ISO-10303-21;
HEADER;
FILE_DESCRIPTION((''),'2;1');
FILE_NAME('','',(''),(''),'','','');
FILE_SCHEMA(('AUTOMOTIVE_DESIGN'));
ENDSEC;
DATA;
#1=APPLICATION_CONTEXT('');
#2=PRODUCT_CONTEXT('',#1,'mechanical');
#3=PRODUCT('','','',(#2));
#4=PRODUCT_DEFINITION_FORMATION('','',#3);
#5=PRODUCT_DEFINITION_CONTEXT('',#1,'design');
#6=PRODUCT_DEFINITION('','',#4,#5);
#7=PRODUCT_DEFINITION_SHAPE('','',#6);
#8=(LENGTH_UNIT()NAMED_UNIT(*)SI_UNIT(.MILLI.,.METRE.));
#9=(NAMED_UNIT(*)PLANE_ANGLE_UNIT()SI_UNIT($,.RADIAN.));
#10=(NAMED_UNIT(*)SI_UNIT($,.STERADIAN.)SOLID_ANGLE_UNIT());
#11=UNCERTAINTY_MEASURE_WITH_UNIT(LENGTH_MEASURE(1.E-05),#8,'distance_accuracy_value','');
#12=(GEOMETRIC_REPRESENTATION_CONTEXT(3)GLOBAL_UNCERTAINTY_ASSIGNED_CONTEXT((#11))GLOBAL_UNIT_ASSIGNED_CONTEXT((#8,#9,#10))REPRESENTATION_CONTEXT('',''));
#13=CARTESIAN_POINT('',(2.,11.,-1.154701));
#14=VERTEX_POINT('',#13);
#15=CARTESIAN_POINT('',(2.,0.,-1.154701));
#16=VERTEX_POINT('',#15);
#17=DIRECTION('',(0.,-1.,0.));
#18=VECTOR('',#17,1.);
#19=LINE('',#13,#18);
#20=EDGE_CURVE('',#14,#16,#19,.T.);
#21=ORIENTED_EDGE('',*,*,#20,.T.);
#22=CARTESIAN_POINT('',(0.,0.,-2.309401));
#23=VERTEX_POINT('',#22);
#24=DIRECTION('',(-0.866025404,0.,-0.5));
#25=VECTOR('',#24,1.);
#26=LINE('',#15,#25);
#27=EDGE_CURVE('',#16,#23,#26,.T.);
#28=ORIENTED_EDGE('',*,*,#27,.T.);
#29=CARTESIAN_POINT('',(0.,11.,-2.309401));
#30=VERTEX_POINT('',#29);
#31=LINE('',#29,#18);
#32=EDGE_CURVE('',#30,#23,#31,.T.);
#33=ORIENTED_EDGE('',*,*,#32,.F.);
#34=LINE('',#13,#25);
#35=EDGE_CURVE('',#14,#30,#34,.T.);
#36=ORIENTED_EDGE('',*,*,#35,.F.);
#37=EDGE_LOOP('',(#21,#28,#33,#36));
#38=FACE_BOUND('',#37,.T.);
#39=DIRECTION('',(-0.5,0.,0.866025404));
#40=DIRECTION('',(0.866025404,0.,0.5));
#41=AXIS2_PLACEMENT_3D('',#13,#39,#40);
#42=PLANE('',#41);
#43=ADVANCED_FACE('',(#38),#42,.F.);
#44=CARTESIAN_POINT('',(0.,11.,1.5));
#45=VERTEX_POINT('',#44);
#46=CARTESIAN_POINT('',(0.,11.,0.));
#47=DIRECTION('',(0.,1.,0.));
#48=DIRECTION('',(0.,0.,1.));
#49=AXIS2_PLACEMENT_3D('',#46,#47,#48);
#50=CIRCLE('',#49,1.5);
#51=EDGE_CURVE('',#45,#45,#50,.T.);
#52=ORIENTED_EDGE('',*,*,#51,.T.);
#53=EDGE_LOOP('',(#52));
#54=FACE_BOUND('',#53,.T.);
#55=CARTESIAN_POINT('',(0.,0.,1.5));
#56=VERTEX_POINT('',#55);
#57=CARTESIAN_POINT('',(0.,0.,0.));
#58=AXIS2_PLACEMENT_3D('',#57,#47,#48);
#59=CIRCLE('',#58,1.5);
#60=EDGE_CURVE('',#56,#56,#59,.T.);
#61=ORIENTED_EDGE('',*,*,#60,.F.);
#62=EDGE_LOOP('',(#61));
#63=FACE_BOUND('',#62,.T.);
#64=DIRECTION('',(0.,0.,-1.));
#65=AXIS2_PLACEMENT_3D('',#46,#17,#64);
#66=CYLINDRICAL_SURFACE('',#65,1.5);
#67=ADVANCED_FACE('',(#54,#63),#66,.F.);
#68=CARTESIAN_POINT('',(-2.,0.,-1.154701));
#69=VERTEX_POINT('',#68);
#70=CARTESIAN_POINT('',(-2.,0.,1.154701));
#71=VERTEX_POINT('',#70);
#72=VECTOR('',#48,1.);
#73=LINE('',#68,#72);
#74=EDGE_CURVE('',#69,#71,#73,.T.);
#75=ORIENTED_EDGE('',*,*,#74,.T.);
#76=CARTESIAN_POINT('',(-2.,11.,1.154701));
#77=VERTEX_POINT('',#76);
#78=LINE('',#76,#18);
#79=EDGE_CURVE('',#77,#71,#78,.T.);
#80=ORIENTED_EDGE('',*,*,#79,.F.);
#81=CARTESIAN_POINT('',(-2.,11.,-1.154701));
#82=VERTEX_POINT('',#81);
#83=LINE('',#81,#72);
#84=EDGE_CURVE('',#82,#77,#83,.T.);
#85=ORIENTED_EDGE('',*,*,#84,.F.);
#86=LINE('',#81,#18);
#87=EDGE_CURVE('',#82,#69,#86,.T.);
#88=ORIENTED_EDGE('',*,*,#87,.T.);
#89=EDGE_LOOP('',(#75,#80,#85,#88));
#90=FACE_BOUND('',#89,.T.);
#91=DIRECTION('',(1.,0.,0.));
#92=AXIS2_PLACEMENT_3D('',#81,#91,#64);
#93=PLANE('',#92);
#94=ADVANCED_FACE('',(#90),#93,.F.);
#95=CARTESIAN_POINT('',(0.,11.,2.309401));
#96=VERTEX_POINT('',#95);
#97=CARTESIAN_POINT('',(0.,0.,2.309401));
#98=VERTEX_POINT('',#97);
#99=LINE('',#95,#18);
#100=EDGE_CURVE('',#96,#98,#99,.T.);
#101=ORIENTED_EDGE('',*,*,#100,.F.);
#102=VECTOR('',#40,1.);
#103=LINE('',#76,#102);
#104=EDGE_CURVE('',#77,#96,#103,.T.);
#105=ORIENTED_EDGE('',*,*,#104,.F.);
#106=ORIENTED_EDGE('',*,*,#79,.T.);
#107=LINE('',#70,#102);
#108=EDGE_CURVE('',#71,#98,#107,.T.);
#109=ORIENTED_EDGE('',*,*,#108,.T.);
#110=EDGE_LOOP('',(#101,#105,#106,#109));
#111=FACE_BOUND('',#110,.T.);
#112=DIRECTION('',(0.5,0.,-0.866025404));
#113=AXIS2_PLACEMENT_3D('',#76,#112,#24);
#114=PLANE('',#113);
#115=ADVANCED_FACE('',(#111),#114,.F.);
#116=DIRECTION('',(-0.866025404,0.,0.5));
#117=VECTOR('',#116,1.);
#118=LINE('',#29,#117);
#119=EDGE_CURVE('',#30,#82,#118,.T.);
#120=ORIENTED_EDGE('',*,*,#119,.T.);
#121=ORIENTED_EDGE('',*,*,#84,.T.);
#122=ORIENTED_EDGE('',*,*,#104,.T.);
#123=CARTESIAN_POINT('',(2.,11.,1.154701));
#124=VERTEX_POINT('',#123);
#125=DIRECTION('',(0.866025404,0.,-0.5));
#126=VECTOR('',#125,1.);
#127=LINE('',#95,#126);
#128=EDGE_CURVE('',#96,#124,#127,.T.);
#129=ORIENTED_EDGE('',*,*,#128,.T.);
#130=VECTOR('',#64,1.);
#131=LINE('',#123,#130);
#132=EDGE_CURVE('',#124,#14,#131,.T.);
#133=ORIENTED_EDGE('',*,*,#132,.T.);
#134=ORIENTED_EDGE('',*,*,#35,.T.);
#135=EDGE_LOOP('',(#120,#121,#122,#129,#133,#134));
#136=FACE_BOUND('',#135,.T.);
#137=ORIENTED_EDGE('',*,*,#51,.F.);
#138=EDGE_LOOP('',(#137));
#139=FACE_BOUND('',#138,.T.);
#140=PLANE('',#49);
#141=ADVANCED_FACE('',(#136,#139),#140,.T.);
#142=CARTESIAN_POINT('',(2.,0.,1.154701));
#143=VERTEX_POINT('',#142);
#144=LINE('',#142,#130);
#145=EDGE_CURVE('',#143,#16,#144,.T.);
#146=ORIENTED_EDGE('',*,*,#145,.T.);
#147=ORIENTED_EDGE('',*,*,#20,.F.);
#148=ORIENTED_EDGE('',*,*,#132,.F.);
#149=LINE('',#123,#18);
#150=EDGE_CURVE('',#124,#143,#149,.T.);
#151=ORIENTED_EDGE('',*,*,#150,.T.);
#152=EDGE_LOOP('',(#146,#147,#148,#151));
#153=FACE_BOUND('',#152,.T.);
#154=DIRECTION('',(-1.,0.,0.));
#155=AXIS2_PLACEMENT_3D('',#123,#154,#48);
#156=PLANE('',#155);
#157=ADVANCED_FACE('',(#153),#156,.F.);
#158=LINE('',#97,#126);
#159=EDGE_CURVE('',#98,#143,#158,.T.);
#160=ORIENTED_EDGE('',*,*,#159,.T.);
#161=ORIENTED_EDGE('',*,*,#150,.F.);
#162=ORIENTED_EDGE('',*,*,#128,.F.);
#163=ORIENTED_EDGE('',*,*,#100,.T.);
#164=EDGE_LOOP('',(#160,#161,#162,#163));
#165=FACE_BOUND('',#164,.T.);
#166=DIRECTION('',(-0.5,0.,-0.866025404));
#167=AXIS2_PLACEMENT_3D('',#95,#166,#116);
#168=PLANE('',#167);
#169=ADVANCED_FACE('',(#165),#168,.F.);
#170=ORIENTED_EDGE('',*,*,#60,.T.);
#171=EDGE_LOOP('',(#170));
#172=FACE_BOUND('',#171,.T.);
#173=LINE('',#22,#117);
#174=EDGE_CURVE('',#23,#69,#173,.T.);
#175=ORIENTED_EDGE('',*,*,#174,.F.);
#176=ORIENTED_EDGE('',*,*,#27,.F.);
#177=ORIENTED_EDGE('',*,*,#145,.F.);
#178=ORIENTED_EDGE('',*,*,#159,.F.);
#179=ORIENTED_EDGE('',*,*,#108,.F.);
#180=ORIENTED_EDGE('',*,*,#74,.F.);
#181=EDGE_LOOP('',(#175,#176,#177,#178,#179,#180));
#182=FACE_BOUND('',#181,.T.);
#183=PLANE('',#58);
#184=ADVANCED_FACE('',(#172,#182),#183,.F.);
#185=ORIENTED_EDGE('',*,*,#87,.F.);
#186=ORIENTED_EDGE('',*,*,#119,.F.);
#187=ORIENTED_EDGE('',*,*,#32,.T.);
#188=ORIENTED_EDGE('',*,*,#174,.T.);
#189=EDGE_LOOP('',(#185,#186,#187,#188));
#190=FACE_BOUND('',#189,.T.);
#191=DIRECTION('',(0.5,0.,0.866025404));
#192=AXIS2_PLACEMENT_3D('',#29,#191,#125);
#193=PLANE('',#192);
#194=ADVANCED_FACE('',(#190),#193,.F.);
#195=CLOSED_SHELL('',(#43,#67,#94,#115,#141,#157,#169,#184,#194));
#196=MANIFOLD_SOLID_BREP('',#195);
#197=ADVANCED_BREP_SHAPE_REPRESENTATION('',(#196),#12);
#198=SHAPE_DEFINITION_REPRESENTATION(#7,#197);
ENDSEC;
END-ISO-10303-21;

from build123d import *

# Parameters (mm, degrees)
SKETCH_1_R      = 1.5
EXTRUDE_1_DEPTH = 11


with BuildPart() as part:
    # 草图1 → 凸台-拉伸1 (new body)
    with BuildSketch(Plane(origin=(0, 0, 0), x_dir=(1, 0, 0), z_dir=(0, 1, 0))):
        Polygon((0, 2.309401077), (-2, 1.154700538), (-2, -1.154700538), (0, -2.309401077), (2, -1.154700538), (2, 1.154700538), align=None)
        with Locations(Location((0, 0, 0), (0, 0, 270))):
            Circle(SKETCH_1_R, mode=Mode.SUBTRACT)
    extrude(amount=EXTRUDE_1_DEPTH)


solid = part.part
